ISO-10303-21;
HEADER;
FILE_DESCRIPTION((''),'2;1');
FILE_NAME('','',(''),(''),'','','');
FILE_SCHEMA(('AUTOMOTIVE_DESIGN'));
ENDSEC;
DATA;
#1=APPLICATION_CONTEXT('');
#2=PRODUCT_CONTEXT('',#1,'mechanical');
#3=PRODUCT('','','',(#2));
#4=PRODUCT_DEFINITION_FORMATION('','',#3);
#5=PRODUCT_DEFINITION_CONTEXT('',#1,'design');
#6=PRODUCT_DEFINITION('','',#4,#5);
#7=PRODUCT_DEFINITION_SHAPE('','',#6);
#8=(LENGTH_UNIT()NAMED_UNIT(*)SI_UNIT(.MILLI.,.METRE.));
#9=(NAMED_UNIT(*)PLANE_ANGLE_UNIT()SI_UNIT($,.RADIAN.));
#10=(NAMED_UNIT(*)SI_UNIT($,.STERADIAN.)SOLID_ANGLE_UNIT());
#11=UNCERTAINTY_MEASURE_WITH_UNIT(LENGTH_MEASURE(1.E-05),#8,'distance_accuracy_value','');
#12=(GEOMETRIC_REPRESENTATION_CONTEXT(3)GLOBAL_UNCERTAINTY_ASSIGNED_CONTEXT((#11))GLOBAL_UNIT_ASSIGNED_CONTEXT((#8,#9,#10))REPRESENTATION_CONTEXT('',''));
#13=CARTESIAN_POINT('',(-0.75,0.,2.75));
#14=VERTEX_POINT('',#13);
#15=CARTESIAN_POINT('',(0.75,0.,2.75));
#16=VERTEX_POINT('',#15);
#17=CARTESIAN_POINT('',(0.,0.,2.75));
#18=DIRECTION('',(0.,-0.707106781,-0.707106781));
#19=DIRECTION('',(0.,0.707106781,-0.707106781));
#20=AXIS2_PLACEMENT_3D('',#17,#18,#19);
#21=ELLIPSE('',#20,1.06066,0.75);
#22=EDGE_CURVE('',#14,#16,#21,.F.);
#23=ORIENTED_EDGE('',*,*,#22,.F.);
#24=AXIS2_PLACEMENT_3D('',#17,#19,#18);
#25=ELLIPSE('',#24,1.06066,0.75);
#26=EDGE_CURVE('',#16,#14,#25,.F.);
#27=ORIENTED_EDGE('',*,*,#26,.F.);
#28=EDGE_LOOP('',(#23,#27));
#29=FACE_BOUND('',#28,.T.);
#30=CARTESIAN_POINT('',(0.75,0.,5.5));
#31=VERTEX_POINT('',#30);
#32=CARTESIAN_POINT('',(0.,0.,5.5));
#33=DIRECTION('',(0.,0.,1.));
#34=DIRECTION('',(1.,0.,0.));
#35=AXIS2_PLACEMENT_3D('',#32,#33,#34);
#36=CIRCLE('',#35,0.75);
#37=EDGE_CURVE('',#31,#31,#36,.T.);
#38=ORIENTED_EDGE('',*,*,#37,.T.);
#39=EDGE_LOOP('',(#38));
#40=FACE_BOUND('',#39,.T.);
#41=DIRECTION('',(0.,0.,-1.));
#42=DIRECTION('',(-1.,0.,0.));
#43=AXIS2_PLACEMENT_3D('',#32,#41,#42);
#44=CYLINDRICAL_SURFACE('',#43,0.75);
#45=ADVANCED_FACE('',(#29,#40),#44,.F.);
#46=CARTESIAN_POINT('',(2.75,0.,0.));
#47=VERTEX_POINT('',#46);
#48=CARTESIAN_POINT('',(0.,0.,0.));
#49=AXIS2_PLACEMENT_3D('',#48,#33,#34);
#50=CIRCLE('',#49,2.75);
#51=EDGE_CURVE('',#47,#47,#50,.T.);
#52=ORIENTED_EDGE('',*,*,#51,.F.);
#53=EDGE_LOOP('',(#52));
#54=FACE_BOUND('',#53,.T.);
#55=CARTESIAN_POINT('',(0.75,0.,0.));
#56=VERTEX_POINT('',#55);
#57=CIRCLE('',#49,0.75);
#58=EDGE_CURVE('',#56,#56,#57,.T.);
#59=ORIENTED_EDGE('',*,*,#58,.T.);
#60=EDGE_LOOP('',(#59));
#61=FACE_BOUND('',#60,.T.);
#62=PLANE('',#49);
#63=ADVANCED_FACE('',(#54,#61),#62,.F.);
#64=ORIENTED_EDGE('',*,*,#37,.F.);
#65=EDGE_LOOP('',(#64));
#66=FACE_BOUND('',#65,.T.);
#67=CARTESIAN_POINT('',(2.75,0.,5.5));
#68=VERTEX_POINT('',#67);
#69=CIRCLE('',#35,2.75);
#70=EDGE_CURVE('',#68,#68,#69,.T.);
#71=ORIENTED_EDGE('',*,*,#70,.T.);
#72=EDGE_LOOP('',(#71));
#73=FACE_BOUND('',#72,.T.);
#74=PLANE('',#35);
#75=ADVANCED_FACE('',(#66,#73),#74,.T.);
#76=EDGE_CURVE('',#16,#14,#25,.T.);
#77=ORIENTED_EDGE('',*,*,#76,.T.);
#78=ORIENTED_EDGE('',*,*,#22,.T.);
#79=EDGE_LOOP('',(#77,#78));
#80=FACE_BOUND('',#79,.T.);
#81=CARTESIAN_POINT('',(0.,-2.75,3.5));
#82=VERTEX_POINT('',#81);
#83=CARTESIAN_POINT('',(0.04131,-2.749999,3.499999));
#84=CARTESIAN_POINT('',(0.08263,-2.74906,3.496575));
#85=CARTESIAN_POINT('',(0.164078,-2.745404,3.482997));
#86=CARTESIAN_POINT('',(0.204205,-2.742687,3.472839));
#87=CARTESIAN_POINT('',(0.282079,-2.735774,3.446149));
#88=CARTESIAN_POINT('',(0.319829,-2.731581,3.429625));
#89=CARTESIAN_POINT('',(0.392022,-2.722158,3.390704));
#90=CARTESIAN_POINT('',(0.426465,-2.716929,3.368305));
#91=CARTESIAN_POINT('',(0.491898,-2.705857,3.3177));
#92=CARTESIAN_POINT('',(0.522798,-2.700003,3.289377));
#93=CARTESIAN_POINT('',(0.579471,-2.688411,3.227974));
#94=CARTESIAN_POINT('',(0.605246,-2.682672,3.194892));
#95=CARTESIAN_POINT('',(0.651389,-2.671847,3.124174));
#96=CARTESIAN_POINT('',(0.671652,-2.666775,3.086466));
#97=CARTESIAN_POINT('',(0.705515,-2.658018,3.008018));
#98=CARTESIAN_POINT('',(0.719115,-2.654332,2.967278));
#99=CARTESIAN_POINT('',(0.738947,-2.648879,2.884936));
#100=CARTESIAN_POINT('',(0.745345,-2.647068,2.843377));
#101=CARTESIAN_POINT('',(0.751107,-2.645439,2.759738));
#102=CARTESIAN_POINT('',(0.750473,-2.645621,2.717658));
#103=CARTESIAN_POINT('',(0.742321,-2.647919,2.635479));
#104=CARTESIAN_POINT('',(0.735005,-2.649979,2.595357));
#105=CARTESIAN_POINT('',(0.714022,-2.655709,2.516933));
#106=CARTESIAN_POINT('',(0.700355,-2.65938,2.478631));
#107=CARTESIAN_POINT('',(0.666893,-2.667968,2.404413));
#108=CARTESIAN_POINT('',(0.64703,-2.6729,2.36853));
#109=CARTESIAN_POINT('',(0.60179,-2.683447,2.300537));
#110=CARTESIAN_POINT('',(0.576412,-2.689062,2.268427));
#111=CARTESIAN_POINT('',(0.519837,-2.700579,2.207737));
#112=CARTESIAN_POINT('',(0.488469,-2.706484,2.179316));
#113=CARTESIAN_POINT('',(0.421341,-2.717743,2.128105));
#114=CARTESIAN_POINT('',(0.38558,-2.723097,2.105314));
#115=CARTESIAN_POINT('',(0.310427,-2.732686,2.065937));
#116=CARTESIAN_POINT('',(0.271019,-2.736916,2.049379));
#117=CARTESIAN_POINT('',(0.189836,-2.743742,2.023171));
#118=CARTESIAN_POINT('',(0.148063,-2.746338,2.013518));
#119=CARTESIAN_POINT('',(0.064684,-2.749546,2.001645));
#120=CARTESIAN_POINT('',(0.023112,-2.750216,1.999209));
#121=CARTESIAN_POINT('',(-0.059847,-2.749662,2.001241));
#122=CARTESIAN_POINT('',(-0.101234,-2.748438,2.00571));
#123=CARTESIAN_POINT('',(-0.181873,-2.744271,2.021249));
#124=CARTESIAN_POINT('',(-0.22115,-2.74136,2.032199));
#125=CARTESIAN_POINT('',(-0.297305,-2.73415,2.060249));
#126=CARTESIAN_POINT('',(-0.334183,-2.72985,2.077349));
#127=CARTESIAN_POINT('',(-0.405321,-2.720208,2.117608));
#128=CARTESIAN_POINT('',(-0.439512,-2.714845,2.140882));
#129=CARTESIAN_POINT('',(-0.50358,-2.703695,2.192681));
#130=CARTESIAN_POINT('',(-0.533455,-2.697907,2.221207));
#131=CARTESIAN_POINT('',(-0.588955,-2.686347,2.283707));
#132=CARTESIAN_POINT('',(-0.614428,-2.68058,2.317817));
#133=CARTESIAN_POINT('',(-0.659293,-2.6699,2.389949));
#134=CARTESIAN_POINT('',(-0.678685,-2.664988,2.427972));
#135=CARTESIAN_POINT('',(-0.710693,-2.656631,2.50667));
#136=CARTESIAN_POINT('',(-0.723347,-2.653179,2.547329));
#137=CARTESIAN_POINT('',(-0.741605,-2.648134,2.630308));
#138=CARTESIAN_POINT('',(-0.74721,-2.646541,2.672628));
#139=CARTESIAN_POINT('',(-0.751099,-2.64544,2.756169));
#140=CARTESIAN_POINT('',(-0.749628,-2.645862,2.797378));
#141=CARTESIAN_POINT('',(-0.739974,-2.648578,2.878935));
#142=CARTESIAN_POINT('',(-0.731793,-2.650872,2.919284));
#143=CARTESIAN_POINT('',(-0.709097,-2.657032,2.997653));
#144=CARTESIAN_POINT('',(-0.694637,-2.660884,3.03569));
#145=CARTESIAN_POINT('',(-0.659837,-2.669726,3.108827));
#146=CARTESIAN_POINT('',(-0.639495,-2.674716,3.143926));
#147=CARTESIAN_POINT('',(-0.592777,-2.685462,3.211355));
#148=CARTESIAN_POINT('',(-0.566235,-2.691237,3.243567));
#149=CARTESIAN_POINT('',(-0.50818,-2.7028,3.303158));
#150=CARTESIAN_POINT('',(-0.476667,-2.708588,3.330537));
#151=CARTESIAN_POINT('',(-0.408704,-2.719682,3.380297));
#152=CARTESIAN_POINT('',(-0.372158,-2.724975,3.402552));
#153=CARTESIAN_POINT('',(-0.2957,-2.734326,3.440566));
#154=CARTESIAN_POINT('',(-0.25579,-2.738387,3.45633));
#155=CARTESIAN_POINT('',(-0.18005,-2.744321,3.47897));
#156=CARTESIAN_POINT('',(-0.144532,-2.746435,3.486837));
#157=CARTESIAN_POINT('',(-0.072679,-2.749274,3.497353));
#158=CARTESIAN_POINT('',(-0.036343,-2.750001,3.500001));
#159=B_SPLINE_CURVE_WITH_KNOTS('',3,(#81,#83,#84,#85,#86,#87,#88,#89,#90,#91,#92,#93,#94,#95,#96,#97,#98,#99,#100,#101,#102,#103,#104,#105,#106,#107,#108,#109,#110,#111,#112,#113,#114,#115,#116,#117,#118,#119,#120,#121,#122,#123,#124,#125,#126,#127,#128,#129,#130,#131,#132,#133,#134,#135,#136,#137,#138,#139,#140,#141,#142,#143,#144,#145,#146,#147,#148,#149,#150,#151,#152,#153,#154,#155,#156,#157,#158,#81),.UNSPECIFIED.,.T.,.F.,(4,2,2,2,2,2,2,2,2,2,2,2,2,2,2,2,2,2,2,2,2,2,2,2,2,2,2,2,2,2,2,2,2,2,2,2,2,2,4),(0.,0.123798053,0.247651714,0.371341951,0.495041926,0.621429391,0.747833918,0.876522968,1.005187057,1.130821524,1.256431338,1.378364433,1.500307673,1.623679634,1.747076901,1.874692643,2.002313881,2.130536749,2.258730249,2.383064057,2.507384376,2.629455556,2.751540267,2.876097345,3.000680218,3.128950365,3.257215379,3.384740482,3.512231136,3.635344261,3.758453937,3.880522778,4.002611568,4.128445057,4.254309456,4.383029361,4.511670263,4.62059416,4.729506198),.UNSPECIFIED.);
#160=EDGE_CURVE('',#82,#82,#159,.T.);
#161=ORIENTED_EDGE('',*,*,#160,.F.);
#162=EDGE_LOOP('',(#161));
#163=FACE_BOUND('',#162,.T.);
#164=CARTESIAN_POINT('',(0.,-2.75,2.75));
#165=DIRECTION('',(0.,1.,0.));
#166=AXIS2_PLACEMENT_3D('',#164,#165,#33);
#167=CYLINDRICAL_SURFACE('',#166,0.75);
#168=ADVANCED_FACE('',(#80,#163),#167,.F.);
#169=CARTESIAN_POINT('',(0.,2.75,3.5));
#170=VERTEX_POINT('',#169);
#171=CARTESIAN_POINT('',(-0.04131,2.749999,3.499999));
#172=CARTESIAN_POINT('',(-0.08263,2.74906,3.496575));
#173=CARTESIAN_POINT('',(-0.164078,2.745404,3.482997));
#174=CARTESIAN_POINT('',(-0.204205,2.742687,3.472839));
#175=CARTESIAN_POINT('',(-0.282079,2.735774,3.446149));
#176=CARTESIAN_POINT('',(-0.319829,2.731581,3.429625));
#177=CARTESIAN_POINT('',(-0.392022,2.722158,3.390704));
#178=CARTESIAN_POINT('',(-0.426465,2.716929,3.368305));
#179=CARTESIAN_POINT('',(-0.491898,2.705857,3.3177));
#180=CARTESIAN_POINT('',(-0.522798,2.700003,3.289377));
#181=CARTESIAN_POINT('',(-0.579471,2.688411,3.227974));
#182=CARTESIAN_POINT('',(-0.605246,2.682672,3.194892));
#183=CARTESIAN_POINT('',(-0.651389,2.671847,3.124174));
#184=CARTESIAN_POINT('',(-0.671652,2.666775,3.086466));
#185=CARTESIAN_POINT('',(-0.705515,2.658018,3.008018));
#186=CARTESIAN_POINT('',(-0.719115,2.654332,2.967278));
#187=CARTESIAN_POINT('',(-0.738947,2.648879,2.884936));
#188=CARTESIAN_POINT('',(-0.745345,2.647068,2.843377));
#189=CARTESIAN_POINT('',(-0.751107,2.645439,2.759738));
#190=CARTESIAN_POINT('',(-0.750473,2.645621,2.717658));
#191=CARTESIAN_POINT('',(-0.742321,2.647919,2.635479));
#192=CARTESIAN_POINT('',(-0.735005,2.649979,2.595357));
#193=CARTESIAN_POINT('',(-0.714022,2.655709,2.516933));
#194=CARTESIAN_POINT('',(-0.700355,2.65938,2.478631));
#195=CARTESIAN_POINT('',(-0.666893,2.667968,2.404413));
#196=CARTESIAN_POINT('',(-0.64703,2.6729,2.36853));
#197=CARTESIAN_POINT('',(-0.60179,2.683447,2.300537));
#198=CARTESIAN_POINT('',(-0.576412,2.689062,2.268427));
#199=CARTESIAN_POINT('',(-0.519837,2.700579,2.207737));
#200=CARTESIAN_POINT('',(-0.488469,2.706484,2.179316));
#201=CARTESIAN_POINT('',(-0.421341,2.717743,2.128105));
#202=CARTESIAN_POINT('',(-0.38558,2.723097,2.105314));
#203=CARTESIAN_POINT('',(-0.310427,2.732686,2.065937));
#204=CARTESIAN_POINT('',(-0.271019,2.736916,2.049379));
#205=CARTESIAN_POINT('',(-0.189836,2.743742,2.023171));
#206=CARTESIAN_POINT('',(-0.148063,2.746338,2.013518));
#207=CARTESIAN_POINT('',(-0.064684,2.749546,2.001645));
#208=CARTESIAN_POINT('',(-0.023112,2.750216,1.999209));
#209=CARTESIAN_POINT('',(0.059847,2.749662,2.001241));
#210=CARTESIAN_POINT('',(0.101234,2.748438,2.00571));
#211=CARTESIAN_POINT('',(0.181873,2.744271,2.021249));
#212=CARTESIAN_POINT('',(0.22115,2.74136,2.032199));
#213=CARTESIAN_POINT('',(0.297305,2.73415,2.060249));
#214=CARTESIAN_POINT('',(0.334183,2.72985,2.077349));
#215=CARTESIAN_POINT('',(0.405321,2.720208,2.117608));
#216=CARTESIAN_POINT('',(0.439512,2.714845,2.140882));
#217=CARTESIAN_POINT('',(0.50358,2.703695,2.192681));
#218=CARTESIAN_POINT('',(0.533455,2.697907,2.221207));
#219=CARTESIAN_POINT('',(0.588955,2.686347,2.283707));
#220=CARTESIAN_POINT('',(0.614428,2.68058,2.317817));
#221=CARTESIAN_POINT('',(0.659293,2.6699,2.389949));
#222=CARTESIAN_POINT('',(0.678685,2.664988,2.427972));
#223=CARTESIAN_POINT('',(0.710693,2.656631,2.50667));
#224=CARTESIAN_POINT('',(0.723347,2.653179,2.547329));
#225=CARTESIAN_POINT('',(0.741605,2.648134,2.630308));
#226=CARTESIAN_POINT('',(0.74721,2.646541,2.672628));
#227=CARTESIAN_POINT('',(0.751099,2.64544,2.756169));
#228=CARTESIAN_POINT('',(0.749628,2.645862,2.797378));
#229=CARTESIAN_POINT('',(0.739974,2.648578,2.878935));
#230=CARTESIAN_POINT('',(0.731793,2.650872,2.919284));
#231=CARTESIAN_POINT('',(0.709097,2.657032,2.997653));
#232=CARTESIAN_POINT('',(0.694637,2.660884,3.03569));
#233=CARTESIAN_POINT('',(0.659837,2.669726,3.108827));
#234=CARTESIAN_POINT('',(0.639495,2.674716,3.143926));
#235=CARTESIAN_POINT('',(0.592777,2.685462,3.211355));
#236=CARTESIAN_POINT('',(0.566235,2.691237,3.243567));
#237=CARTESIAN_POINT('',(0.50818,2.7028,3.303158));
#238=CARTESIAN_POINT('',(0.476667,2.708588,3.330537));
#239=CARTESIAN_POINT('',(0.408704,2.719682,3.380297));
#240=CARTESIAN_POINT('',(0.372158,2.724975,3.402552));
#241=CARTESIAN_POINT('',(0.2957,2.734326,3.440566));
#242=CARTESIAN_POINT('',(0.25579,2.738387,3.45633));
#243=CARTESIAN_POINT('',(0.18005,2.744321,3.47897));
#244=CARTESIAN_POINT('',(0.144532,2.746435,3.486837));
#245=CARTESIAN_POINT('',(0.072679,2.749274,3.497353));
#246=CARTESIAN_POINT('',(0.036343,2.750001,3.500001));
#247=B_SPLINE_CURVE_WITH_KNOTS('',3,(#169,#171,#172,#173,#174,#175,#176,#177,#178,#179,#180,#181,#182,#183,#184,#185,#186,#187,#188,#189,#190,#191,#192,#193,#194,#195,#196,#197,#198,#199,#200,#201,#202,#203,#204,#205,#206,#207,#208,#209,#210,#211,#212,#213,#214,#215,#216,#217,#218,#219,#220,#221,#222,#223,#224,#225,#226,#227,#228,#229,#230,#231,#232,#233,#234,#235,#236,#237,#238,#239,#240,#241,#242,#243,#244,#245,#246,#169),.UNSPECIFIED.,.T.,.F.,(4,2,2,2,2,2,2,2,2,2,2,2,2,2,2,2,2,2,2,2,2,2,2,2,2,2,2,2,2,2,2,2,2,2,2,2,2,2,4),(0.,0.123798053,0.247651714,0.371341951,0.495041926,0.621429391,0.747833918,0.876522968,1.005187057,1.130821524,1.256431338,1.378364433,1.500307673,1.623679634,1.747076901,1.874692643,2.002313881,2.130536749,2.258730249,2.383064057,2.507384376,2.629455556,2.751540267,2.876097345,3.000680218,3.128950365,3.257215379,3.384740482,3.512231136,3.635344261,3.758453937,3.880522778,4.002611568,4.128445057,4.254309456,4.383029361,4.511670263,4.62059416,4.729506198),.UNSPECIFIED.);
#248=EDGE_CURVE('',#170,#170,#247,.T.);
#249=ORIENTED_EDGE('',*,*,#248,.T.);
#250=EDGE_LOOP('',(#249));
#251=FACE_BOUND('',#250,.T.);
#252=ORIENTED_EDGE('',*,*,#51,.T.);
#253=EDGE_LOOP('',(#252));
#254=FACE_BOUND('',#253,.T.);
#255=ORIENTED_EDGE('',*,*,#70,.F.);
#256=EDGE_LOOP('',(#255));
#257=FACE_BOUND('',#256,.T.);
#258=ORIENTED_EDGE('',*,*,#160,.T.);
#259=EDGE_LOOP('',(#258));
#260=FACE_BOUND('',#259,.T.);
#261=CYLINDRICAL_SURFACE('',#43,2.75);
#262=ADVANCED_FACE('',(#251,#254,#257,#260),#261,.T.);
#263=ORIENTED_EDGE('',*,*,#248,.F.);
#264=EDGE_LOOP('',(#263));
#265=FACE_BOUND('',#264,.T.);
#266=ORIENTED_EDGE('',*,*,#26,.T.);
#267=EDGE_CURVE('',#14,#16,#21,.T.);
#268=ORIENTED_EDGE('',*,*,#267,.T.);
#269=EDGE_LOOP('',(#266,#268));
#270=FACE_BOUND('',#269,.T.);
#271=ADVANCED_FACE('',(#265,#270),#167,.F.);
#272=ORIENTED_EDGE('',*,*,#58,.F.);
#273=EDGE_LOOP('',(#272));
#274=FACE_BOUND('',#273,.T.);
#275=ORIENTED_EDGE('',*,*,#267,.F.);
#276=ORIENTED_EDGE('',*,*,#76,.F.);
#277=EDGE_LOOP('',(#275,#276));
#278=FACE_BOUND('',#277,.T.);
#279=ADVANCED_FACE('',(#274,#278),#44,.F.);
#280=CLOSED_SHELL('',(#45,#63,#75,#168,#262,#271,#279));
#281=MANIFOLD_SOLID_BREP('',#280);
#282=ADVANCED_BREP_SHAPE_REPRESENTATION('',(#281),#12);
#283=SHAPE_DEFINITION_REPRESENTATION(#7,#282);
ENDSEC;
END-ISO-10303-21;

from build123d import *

# Parameters (mm, degrees)
SKETCH_1_R          = 2.75
SKETCH_1_R_2        = 0.75
EXTRUDE_1_DEPTH     = 5.5
SKETCH_2_R          = 0.75
CUT_EXTRUDE_1_DEPTH = 2.75


with BuildPart() as part:
    # 草图1 → 凸台-拉伸1 (new body)
    with BuildSketch(Plane.XY):
        Circle(SKETCH_1_R)
        Circle(SKETCH_1_R_2, mode=Mode.SUBTRACT)
    extrude(amount=EXTRUDE_1_DEPTH)

    # 草图2 → 切除-拉伸1 (cut, symmetric)
    with BuildSketch(Plane(origin=(0, 0, 0), x_dir=(1, 0, 0), z_dir=(0, 1, 0))):
        with Locations((0, -2.75)):
            Circle(SKETCH_2_R)
    extrude(amount=CUT_EXTRUDE_1_DEPTH, both=True, mode=Mode.SUBTRACT)


solid = part.part
